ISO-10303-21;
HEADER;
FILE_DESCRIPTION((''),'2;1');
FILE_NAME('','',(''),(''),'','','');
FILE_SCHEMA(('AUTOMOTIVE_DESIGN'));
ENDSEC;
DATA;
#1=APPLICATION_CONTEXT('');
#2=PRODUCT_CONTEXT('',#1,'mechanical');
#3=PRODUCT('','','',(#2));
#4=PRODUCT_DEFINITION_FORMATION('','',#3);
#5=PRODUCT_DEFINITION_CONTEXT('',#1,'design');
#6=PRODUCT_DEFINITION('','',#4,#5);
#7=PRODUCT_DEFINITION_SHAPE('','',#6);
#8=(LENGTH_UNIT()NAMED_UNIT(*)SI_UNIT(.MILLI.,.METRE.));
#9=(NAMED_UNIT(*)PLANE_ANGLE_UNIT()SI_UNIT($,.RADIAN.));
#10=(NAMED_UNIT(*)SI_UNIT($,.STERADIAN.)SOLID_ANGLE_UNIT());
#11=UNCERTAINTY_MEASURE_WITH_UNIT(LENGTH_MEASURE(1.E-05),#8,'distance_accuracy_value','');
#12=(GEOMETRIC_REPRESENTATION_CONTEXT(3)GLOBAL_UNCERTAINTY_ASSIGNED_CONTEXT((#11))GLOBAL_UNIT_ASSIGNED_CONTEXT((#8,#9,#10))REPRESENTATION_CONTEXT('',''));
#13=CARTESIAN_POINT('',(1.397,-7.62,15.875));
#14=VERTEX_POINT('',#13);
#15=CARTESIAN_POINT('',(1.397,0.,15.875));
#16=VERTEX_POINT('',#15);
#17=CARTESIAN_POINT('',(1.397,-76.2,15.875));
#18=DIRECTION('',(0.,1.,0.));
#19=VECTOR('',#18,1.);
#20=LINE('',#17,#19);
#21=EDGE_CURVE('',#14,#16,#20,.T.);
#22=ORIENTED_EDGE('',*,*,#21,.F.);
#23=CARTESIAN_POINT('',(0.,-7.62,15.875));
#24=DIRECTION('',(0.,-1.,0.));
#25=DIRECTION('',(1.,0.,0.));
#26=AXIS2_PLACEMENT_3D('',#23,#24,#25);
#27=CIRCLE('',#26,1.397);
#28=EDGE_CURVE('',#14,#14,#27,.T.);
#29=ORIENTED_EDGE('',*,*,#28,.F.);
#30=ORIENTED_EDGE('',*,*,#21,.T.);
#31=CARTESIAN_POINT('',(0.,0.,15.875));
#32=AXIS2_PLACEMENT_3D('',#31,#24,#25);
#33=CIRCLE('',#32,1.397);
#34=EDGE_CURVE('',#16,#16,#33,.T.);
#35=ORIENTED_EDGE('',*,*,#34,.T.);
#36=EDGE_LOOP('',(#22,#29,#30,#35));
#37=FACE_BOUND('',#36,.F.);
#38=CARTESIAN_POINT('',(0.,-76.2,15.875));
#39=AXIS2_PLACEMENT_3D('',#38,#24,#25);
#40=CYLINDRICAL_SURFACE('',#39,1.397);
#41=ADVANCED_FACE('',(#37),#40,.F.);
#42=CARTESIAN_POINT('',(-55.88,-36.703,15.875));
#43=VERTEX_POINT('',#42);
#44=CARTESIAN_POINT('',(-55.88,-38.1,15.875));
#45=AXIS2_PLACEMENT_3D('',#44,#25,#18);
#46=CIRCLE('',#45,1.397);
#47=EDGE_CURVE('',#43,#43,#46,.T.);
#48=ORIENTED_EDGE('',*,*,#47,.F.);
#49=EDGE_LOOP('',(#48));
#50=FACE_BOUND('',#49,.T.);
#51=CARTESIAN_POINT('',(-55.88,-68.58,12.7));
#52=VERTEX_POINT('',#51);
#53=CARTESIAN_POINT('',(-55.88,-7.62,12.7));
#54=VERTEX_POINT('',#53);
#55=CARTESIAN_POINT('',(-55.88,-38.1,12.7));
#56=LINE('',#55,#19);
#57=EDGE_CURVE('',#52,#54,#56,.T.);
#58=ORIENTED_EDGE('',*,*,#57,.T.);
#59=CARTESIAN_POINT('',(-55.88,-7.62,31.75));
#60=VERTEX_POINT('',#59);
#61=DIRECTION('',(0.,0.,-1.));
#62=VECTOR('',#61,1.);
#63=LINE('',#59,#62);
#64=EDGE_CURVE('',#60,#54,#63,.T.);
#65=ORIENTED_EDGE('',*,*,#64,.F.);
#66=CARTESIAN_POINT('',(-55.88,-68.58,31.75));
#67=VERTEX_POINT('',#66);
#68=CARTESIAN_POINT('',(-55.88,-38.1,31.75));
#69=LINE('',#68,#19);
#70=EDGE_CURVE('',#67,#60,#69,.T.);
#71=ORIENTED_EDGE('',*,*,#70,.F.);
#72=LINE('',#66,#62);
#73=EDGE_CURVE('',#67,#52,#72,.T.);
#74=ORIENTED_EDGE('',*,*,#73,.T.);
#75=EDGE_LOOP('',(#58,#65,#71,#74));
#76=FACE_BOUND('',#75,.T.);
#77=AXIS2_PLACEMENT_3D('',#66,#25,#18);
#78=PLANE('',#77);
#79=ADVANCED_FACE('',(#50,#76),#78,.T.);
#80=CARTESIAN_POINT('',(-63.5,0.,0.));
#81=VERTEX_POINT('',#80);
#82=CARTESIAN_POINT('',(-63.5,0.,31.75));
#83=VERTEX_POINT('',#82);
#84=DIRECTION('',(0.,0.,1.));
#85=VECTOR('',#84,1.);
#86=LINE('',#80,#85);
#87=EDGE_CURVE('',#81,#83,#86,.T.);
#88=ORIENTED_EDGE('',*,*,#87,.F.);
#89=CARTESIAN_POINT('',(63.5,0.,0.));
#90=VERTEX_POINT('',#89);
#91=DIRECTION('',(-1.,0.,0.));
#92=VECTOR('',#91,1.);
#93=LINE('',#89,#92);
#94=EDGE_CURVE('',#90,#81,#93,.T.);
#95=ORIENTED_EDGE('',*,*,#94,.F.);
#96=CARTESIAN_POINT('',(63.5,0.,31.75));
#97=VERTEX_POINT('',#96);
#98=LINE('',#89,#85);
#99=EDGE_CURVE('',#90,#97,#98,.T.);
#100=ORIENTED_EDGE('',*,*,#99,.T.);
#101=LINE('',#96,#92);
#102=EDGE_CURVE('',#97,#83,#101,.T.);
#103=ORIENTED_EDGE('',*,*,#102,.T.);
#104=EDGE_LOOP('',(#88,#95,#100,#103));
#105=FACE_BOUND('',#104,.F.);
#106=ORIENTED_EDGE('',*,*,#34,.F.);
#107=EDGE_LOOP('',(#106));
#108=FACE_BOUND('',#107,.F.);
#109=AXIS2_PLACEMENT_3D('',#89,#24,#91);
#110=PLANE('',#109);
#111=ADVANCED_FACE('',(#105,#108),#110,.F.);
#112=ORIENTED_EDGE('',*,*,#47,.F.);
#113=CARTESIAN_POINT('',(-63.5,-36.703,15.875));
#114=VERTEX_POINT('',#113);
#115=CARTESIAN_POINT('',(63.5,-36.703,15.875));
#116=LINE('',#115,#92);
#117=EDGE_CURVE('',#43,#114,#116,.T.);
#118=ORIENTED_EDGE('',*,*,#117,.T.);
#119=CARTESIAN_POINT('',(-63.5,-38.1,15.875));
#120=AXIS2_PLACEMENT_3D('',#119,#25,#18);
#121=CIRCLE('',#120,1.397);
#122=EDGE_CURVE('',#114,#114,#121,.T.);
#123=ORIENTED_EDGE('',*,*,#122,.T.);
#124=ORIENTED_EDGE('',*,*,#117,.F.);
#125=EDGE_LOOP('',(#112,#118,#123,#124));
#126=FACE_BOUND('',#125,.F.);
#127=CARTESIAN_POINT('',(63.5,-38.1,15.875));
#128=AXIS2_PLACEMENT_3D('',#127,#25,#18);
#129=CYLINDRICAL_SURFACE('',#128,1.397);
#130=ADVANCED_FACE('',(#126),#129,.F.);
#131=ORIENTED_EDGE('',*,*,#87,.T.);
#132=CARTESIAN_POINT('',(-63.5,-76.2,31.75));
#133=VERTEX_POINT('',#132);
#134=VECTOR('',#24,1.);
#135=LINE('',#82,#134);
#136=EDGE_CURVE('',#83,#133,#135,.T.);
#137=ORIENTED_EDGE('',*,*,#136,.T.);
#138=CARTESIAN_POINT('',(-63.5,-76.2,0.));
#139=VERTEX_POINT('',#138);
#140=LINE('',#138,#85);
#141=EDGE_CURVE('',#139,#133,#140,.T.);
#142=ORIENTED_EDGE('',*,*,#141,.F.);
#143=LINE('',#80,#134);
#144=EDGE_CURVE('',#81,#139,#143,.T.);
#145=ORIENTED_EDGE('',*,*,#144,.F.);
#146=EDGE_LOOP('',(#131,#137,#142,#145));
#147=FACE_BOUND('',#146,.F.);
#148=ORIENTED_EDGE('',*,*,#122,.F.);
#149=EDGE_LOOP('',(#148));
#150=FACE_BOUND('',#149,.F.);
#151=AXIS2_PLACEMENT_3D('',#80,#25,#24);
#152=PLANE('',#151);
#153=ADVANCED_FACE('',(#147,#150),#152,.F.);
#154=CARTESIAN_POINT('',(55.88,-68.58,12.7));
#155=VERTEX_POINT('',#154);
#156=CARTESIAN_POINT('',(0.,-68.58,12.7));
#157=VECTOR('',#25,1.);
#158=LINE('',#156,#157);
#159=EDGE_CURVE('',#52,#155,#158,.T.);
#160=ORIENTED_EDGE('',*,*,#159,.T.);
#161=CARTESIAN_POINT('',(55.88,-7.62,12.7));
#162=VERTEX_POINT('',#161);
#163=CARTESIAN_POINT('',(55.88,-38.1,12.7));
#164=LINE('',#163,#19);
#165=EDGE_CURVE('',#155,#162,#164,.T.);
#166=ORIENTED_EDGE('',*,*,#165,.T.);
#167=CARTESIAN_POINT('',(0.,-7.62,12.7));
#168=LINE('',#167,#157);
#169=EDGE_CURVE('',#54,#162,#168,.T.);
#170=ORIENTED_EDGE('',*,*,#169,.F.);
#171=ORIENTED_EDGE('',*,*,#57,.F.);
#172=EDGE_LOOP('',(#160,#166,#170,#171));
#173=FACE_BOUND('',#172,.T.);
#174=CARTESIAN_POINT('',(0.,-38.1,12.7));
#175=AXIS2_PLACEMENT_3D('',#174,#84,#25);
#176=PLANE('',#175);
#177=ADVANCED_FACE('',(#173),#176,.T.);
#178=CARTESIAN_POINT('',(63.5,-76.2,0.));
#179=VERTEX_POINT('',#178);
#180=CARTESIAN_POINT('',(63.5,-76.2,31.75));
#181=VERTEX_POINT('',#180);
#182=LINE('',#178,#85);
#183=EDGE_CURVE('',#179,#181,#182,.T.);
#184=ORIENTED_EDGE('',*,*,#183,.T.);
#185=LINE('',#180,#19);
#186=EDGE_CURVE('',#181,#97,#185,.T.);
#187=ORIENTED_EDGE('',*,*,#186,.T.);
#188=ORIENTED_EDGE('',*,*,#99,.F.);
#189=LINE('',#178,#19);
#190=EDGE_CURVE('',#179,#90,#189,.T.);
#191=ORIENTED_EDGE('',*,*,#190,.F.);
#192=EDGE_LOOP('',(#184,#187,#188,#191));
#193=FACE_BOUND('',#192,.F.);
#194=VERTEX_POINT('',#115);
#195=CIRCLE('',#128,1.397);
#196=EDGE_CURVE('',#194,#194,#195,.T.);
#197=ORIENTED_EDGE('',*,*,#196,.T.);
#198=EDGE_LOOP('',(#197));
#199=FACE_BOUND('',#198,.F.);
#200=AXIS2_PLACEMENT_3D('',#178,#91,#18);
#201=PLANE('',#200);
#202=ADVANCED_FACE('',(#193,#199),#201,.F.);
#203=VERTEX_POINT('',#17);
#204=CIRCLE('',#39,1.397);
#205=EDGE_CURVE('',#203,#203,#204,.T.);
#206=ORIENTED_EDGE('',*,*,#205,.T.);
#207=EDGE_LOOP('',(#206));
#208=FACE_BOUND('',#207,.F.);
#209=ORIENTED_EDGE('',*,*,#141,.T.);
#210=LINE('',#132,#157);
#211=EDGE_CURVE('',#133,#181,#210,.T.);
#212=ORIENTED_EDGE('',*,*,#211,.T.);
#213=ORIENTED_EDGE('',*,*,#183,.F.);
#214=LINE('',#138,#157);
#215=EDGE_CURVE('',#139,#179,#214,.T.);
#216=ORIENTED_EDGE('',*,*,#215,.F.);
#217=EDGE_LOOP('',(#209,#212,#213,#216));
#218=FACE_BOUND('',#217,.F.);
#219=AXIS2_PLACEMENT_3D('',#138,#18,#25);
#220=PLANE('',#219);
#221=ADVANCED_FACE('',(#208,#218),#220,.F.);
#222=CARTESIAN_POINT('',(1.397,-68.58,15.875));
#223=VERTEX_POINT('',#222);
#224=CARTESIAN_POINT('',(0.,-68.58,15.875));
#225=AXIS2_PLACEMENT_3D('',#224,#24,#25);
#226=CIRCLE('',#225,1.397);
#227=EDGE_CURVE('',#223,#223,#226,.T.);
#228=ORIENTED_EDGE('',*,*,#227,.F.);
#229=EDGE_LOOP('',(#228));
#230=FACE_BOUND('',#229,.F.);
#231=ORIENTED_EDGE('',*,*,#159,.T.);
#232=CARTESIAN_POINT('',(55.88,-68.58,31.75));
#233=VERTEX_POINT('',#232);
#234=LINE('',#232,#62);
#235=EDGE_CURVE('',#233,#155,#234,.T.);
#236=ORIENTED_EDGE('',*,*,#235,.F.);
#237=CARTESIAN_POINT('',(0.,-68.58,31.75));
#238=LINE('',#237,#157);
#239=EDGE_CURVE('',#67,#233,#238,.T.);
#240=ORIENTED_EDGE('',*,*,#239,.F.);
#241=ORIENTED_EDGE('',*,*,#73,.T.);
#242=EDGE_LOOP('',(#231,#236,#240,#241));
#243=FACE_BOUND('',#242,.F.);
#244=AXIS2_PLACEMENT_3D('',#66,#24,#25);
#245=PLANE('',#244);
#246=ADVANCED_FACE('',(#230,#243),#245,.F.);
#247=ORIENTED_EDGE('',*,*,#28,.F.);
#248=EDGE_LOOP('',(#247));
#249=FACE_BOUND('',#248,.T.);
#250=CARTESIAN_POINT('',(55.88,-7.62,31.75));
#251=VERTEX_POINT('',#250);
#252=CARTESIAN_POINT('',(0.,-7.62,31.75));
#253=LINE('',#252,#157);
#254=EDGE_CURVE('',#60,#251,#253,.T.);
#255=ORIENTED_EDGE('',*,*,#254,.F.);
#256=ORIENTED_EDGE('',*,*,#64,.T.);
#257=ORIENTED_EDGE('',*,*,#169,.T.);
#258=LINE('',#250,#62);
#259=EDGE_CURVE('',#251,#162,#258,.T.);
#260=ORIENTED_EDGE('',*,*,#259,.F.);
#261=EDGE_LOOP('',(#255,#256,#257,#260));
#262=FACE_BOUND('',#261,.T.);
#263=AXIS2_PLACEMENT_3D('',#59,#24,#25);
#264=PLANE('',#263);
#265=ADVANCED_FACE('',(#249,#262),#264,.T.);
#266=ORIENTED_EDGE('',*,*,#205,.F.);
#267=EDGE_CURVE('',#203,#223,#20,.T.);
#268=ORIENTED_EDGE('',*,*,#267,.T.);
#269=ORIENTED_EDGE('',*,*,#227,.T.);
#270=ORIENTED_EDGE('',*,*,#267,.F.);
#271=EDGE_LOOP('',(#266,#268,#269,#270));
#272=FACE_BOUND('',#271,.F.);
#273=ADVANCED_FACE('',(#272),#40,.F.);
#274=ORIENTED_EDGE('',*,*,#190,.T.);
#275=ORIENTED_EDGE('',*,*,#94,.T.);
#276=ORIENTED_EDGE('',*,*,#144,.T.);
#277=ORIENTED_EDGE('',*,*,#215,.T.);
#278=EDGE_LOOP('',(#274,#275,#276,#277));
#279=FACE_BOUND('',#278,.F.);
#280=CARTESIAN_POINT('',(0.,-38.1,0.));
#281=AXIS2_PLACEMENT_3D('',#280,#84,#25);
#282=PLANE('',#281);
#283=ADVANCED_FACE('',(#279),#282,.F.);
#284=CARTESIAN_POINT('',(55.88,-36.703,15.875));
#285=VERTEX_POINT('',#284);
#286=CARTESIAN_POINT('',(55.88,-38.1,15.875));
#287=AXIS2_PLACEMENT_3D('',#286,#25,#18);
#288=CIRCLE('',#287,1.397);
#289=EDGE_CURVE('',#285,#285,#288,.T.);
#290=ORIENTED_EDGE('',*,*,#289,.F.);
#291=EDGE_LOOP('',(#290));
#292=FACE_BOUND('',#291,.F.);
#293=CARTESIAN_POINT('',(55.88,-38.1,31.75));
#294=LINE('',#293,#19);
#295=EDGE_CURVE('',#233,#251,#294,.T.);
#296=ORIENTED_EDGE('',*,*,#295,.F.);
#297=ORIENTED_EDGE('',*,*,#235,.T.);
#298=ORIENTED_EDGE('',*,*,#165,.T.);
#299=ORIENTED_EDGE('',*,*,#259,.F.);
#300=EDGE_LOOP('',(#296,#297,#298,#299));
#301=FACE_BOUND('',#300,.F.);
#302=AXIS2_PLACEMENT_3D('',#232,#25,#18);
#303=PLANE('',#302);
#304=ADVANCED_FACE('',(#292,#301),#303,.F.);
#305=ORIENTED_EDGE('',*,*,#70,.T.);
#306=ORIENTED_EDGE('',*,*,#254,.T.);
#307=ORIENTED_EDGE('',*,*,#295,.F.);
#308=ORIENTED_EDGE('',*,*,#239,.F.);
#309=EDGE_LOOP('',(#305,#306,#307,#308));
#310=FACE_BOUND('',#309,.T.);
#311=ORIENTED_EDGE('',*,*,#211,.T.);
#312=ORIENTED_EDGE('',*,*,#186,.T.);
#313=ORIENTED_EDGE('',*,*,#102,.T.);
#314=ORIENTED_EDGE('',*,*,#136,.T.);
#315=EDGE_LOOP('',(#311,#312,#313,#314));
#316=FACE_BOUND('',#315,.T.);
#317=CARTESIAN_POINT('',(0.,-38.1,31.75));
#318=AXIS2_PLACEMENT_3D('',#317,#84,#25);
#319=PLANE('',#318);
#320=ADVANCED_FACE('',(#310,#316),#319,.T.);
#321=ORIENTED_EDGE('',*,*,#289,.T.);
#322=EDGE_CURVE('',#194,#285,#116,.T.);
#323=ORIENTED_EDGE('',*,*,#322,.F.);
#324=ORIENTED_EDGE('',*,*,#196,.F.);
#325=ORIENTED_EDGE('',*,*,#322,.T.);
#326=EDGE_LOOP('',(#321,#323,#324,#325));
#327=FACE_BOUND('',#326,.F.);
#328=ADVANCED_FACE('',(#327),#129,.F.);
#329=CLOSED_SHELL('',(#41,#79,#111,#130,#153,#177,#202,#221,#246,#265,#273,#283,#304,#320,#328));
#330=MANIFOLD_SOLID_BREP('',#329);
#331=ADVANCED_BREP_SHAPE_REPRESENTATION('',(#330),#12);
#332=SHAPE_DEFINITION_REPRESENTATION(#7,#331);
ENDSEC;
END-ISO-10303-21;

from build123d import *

# Parameters (mm, degrees)
F1_DEPTH = 31.75
F2_W     = 111.76
F2_H     = 60.96
F3_DEPTH = 19.05
F4_R     = 1.397
F5_DEPTH = 127.001
F6_R     = 1.397
F7_DEPTH = 76.201


with BuildPart() as f1:
    # F0 (on Top) → F1 (new body)
    with BuildSketch(Plane.XY):
        Polygon((63.5, 0), (0, 0), (-63.5, 0), (-63.5, -76.2), (63.5, -76.2), align=None)
    extrude(amount=F1_DEPTH)

    # F2 (on face) → F3 (cut)
    with BuildSketch(Plane.XY.offset(31.75)):
        with Locations((0, -38.1)):
            Rectangle(F2_W, F2_H)
    extrude(amount=-F3_DEPTH, mode=Mode.SUBTRACT)

    # F4 (on face) → F5 (cut, through all)
    with BuildSketch(Plane.YZ.offset(63.5)):
        with Locations((-38.1, 15.875)):
            Circle(F4_R)
    extrude(amount=-F5_DEPTH, mode=Mode.SUBTRACT)

    # F6 (on face) → F7 (cut, through all)
    with BuildSketch(Plane.XZ.offset(76.2)):
        with Locations((0, 15.875)):
            Circle(F6_R)
    extrude(amount=-F7_DEPTH, mode=Mode.SUBTRACT)


solid = f1.part
